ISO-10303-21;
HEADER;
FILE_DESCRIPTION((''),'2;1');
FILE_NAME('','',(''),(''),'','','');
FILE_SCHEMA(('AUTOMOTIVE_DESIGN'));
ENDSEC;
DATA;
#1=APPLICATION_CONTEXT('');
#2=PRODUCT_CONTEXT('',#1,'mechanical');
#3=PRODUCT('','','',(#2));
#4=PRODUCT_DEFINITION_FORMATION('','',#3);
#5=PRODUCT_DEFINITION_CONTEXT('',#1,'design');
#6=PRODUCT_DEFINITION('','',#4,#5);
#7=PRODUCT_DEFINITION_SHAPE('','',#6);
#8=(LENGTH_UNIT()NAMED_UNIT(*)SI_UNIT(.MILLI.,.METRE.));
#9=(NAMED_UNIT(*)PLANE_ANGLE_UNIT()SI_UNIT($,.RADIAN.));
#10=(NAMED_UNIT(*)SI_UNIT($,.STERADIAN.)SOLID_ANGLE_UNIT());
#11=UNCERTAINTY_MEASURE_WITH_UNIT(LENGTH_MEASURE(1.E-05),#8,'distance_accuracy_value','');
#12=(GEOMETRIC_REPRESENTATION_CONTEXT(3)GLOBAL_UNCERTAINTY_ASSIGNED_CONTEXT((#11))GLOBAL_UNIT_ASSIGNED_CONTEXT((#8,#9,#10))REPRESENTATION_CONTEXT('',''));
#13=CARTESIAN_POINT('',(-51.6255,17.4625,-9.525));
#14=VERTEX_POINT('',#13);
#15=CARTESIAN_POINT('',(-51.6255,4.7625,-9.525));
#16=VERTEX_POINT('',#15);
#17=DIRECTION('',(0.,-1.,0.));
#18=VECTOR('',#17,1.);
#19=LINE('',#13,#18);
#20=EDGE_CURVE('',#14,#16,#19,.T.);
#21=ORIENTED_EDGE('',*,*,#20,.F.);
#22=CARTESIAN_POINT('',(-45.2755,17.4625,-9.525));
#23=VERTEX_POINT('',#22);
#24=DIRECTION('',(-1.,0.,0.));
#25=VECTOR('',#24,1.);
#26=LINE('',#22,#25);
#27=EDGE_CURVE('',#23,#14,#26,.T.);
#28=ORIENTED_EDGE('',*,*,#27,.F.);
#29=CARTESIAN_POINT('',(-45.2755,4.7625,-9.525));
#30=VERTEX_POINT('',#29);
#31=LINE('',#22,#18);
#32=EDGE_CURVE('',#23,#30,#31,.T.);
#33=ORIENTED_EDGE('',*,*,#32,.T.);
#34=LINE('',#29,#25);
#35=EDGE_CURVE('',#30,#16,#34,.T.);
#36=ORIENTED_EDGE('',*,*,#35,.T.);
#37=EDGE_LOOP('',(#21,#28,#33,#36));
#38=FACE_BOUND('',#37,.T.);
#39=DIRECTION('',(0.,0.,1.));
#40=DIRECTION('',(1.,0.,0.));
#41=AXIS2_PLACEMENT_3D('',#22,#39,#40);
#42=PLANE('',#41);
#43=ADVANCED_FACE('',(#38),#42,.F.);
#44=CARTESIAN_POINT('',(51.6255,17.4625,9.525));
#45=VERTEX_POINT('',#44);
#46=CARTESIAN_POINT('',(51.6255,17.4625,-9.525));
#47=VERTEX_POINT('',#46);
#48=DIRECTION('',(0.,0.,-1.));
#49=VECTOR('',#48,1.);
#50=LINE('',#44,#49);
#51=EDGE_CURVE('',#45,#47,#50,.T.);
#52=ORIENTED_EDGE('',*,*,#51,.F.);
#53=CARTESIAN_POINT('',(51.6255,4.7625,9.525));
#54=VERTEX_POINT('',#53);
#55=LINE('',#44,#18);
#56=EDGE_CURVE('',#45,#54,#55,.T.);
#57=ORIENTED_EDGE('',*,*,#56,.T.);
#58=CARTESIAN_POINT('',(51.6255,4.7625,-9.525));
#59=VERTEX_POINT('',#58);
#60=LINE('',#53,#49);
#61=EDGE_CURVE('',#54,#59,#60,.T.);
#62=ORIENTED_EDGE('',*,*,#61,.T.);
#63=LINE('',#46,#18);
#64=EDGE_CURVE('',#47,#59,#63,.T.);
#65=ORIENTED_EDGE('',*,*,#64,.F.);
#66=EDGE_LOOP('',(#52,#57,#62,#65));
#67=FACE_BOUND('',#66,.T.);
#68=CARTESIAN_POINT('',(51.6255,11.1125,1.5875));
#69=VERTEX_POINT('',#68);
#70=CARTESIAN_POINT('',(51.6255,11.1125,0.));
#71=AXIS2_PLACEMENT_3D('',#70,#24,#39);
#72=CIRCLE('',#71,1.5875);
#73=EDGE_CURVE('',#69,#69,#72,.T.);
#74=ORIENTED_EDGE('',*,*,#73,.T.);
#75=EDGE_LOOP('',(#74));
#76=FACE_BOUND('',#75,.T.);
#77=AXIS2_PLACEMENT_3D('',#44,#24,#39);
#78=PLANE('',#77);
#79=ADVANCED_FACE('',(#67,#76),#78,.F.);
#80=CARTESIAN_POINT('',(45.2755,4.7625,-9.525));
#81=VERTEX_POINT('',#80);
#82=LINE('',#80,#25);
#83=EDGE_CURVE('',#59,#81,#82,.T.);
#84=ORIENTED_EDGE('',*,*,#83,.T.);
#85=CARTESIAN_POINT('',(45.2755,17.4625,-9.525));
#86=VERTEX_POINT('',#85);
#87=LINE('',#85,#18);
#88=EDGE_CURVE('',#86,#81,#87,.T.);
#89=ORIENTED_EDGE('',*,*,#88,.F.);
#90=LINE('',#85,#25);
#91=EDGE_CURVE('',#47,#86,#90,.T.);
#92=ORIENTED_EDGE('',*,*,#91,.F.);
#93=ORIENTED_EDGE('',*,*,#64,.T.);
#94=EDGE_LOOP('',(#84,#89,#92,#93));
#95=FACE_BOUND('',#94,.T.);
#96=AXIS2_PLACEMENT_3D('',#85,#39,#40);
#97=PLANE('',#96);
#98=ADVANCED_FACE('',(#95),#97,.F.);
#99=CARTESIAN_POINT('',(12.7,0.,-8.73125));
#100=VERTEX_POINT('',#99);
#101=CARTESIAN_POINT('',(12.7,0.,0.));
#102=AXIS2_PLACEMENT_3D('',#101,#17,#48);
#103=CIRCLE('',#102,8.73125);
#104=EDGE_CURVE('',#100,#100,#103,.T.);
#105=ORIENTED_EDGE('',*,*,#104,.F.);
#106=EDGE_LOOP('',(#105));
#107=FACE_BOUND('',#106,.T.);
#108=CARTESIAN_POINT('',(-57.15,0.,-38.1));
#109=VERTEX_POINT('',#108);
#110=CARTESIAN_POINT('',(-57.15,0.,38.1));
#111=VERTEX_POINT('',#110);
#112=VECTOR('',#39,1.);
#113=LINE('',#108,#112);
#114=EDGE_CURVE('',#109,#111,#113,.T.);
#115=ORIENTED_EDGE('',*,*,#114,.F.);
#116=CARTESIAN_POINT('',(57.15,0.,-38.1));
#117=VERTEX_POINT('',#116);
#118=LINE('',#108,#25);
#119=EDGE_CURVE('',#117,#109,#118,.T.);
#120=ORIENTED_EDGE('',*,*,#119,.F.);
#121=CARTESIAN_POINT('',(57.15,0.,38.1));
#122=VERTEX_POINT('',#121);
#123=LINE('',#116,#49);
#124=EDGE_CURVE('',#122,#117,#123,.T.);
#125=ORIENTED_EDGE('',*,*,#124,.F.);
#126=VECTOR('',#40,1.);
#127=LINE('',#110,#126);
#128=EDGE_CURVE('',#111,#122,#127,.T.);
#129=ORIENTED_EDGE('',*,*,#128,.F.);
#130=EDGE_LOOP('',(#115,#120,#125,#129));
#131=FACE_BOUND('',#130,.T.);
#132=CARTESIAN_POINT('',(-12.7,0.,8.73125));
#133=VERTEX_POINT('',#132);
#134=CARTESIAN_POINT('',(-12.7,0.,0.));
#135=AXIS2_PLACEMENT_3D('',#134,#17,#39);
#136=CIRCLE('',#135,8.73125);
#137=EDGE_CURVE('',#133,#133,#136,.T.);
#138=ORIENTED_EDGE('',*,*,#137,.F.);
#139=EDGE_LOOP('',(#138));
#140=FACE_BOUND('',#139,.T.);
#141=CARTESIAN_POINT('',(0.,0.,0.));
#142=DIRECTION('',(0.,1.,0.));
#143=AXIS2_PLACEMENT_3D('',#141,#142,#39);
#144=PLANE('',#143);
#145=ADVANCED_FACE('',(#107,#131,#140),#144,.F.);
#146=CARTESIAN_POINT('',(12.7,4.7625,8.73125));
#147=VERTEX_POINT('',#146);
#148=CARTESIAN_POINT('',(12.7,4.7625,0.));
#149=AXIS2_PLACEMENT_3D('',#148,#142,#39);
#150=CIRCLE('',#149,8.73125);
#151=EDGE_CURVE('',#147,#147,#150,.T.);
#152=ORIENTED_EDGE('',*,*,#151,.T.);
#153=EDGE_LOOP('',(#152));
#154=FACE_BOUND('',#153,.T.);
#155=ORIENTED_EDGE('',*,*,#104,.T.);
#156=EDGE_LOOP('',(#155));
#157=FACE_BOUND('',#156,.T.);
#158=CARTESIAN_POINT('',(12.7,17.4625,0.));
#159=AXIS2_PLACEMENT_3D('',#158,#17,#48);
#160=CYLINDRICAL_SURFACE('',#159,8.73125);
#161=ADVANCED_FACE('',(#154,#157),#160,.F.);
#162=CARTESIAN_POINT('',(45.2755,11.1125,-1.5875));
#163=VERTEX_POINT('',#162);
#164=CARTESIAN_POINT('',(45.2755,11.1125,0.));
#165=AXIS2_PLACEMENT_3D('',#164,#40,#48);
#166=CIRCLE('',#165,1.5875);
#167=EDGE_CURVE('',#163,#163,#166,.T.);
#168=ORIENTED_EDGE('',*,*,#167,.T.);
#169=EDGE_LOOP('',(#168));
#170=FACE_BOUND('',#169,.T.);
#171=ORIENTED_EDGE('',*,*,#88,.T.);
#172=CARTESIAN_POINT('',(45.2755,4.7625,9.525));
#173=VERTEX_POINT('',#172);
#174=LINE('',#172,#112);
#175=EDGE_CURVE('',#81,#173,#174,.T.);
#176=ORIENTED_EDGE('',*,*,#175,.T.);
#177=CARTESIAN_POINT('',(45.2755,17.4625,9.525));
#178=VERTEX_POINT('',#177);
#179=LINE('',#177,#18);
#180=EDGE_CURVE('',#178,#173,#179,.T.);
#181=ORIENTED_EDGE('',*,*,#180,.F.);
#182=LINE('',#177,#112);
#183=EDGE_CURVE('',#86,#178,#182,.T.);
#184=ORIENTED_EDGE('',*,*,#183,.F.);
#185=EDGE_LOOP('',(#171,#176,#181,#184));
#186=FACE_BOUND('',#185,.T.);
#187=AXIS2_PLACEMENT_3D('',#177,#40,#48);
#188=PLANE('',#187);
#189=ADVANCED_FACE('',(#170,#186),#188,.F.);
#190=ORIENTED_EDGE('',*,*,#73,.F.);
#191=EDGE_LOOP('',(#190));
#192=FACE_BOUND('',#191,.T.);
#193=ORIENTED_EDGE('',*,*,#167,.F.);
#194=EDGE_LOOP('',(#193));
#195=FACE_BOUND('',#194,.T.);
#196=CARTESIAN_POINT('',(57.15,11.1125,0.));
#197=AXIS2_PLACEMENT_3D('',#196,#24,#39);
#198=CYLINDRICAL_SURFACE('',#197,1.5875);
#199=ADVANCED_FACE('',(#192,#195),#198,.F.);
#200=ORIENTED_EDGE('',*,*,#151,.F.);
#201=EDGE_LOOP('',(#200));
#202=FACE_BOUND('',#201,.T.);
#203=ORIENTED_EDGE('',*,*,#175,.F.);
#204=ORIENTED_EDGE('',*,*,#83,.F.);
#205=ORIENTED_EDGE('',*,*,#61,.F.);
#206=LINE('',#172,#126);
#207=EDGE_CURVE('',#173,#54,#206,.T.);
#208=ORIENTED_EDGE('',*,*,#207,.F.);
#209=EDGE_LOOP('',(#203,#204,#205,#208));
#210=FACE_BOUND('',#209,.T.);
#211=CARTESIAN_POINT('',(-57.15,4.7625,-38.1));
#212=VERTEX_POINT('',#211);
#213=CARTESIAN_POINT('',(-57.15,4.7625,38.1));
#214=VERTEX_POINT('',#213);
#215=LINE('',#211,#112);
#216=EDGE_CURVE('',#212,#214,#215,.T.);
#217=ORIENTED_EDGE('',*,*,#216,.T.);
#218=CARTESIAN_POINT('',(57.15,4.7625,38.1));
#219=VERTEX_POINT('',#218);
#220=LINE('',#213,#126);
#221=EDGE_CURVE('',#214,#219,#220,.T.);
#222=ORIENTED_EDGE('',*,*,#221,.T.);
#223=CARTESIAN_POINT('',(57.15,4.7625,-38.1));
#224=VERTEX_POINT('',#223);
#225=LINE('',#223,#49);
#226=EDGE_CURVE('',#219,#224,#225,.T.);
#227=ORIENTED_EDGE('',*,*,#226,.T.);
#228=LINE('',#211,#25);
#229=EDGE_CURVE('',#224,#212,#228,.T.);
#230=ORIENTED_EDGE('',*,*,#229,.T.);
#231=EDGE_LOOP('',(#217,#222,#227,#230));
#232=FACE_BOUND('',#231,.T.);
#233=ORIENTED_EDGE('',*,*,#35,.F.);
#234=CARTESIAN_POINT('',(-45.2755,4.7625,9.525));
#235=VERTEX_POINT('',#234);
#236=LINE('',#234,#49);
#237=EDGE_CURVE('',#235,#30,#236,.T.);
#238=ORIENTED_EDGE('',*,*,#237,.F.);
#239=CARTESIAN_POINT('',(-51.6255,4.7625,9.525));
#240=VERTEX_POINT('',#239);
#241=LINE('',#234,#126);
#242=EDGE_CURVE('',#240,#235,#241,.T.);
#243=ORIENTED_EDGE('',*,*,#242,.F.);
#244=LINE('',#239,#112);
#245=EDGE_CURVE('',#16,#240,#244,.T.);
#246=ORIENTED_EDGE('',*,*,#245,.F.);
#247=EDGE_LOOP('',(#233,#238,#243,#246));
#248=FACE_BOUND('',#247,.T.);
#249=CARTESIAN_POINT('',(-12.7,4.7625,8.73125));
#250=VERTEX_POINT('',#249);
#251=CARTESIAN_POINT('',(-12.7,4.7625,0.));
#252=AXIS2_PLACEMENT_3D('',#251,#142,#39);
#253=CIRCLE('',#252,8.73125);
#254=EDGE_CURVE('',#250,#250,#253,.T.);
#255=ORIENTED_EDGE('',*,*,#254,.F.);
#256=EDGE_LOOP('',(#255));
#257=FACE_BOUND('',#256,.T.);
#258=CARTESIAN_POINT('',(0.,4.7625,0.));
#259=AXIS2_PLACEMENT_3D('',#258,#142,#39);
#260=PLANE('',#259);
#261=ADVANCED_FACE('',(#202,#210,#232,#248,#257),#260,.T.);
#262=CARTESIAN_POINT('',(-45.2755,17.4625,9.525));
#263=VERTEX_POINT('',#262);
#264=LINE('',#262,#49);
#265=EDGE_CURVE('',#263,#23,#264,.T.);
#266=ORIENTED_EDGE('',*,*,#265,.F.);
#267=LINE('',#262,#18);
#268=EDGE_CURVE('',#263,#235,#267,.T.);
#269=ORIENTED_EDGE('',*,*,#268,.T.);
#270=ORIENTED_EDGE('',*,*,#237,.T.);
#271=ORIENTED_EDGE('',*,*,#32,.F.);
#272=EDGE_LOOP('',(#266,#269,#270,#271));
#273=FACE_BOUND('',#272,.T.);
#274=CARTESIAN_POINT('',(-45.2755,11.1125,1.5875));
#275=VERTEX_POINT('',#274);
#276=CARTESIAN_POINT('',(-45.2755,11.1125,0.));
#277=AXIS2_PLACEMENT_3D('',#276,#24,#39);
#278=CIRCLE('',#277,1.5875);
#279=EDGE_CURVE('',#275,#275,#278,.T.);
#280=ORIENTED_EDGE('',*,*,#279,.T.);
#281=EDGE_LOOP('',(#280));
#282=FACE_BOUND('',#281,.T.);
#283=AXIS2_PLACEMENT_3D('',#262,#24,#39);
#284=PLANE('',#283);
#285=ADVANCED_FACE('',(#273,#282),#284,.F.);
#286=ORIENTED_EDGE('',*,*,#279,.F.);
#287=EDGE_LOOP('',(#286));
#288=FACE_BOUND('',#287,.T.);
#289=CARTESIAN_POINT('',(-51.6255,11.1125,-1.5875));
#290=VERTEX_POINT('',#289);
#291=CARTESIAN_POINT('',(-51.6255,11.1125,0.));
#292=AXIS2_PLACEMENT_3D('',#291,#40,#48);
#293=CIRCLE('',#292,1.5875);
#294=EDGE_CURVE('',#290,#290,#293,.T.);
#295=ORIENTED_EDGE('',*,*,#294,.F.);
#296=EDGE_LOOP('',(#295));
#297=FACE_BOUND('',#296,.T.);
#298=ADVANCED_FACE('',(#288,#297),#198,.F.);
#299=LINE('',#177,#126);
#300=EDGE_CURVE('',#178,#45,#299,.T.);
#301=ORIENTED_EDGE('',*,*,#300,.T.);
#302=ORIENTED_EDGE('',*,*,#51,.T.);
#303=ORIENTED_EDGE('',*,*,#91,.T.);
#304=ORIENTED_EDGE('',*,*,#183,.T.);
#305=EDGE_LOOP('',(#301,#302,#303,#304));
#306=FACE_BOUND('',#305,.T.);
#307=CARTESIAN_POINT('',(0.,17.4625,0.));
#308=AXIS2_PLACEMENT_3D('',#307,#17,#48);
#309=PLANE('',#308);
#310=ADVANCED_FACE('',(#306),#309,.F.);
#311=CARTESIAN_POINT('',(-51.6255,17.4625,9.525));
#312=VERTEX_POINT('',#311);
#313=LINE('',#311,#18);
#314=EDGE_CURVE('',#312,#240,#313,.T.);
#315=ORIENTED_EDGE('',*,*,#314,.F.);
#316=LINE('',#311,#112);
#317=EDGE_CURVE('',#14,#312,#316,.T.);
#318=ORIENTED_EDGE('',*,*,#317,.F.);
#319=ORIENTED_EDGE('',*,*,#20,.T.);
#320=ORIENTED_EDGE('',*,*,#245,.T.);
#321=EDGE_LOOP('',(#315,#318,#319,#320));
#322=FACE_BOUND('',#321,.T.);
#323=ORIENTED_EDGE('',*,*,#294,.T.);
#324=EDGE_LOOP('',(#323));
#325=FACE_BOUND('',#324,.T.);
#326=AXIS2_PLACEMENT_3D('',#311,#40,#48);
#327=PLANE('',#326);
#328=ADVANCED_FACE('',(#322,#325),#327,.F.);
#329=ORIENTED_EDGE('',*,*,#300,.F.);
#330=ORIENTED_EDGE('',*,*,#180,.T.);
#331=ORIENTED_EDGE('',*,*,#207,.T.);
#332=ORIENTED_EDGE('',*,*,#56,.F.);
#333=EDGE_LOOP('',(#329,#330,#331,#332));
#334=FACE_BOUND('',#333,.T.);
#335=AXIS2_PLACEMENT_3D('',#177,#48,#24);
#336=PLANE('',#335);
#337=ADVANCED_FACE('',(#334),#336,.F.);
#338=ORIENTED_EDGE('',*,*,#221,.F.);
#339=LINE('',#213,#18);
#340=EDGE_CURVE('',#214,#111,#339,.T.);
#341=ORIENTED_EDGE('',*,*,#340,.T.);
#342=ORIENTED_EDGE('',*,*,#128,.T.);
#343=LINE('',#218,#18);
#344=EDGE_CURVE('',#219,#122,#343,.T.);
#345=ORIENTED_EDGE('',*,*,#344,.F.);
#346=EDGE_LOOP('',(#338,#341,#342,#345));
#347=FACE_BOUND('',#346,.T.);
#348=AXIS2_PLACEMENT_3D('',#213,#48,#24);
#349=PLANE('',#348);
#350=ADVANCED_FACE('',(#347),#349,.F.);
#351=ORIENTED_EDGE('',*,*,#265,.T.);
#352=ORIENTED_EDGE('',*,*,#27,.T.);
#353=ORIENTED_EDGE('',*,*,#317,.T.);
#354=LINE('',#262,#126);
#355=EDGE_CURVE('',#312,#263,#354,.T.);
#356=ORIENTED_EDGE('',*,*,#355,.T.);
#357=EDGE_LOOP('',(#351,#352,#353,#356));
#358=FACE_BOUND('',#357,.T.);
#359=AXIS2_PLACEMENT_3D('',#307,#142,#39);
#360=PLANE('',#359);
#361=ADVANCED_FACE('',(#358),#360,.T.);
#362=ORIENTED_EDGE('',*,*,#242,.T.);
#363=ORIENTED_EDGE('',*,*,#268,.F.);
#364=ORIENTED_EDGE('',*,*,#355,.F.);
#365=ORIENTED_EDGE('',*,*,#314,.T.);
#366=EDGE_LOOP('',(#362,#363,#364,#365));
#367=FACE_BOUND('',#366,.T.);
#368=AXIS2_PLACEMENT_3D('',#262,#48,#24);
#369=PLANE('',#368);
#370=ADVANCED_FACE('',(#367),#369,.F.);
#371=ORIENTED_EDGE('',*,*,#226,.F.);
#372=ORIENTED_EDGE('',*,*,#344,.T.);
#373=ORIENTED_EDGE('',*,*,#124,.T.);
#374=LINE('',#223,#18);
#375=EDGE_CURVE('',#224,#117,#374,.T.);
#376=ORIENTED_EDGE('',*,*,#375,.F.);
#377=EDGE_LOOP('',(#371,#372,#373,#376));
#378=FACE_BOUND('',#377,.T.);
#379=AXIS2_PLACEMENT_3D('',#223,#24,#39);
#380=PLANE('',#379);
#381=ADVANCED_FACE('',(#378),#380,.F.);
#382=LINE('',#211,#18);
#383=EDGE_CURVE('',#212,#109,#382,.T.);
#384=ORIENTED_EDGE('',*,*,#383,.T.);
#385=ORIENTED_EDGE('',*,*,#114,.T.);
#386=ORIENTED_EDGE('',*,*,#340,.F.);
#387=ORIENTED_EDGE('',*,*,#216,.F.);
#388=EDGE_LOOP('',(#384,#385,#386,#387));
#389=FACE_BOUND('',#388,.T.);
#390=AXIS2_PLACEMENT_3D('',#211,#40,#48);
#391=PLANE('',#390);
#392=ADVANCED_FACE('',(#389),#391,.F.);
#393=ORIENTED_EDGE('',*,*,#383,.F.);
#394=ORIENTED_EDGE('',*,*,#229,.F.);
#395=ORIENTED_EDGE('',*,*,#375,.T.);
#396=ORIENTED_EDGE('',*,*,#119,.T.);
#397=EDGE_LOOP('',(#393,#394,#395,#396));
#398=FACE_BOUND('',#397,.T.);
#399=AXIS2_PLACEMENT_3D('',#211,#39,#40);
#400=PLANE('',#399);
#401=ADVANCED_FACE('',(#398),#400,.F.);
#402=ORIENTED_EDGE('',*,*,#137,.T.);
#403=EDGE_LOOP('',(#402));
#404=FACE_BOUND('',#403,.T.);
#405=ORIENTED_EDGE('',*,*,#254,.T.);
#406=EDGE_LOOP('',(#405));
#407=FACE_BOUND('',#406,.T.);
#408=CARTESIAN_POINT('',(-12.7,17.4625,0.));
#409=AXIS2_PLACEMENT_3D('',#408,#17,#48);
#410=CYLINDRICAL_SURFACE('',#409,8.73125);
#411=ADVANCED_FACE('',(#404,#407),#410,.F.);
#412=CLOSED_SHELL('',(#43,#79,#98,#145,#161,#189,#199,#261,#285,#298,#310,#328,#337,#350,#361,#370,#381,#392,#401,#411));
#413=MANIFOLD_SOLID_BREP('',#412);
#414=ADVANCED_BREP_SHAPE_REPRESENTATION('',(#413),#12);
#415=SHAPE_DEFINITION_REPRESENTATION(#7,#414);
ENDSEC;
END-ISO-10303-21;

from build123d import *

# Parameters (mm, degrees)
SKETCH1_W               = 114.3
SKETCH1_H               = 76.2
MAINCOVER_DEPTH         = 4.7625
SKETCH2_W               = 6.35
SKETCH2_H               = 19.05
BOSS_EXTRUDE1_DEPTH     = 12.7
SKETCH3_R               = 1.5875
CUT_EXTRUDE1_DEPTH      = 6.5245
CUT_EXTRUDE1_DEPTH_BACK = 109.7755
SKETCH4_R               = 8.73125
CUT_EXTRUDE2_DEPTH      = 18.4625


with BuildPart() as part:
    # Sketch1 → MainCover (new body)
    with BuildSketch(Plane(origin=(0, 0, 0), x_dir=(1, 0, 0), z_dir=(0, 1, 0))):
        Rectangle(SKETCH1_W, SKETCH1_H)
    extrude(amount=MAINCOVER_DEPTH)

    # Sketch2 → Boss-Extrude1 (add)
    with BuildSketch(Plane(origin=(0, 4.7625, 0), x_dir=(1, 0, 0), z_dir=(0, 1, 0))):
        with Locations((-48.4505, 0)):
            Rectangle(SKETCH2_W, SKETCH2_H)
        with Locations((48.4505, 0)):
            Rectangle(SKETCH2_W, SKETCH2_H)
    extrude(amount=BOSS_EXTRUDE1_DEPTH)

    # Sketch3 → Cut-Extrude1 (cut, two sides)
    with BuildSketch(Plane.ZY.offset(51.6255)) as cut_extrude1_sk:
        with Locations((0, 11.1125)):
            Circle(SKETCH3_R)
    extrude(amount=CUT_EXTRUDE1_DEPTH, mode=Mode.SUBTRACT)
    extrude(cut_extrude1_sk.sketch, amount=-CUT_EXTRUDE1_DEPTH_BACK, mode=Mode.SUBTRACT)

    # Sketch4 → Cut-Extrude2 (cut, through all)
    with BuildSketch(Plane.XZ):
        with Locations((12.7, 0)):
            Circle(SKETCH4_R)
        with Locations((-12.7, 0)):
            Circle(SKETCH4_R)
    extrude(amount=-CUT_EXTRUDE2_DEPTH, mode=Mode.SUBTRACT)


solid = part.part
